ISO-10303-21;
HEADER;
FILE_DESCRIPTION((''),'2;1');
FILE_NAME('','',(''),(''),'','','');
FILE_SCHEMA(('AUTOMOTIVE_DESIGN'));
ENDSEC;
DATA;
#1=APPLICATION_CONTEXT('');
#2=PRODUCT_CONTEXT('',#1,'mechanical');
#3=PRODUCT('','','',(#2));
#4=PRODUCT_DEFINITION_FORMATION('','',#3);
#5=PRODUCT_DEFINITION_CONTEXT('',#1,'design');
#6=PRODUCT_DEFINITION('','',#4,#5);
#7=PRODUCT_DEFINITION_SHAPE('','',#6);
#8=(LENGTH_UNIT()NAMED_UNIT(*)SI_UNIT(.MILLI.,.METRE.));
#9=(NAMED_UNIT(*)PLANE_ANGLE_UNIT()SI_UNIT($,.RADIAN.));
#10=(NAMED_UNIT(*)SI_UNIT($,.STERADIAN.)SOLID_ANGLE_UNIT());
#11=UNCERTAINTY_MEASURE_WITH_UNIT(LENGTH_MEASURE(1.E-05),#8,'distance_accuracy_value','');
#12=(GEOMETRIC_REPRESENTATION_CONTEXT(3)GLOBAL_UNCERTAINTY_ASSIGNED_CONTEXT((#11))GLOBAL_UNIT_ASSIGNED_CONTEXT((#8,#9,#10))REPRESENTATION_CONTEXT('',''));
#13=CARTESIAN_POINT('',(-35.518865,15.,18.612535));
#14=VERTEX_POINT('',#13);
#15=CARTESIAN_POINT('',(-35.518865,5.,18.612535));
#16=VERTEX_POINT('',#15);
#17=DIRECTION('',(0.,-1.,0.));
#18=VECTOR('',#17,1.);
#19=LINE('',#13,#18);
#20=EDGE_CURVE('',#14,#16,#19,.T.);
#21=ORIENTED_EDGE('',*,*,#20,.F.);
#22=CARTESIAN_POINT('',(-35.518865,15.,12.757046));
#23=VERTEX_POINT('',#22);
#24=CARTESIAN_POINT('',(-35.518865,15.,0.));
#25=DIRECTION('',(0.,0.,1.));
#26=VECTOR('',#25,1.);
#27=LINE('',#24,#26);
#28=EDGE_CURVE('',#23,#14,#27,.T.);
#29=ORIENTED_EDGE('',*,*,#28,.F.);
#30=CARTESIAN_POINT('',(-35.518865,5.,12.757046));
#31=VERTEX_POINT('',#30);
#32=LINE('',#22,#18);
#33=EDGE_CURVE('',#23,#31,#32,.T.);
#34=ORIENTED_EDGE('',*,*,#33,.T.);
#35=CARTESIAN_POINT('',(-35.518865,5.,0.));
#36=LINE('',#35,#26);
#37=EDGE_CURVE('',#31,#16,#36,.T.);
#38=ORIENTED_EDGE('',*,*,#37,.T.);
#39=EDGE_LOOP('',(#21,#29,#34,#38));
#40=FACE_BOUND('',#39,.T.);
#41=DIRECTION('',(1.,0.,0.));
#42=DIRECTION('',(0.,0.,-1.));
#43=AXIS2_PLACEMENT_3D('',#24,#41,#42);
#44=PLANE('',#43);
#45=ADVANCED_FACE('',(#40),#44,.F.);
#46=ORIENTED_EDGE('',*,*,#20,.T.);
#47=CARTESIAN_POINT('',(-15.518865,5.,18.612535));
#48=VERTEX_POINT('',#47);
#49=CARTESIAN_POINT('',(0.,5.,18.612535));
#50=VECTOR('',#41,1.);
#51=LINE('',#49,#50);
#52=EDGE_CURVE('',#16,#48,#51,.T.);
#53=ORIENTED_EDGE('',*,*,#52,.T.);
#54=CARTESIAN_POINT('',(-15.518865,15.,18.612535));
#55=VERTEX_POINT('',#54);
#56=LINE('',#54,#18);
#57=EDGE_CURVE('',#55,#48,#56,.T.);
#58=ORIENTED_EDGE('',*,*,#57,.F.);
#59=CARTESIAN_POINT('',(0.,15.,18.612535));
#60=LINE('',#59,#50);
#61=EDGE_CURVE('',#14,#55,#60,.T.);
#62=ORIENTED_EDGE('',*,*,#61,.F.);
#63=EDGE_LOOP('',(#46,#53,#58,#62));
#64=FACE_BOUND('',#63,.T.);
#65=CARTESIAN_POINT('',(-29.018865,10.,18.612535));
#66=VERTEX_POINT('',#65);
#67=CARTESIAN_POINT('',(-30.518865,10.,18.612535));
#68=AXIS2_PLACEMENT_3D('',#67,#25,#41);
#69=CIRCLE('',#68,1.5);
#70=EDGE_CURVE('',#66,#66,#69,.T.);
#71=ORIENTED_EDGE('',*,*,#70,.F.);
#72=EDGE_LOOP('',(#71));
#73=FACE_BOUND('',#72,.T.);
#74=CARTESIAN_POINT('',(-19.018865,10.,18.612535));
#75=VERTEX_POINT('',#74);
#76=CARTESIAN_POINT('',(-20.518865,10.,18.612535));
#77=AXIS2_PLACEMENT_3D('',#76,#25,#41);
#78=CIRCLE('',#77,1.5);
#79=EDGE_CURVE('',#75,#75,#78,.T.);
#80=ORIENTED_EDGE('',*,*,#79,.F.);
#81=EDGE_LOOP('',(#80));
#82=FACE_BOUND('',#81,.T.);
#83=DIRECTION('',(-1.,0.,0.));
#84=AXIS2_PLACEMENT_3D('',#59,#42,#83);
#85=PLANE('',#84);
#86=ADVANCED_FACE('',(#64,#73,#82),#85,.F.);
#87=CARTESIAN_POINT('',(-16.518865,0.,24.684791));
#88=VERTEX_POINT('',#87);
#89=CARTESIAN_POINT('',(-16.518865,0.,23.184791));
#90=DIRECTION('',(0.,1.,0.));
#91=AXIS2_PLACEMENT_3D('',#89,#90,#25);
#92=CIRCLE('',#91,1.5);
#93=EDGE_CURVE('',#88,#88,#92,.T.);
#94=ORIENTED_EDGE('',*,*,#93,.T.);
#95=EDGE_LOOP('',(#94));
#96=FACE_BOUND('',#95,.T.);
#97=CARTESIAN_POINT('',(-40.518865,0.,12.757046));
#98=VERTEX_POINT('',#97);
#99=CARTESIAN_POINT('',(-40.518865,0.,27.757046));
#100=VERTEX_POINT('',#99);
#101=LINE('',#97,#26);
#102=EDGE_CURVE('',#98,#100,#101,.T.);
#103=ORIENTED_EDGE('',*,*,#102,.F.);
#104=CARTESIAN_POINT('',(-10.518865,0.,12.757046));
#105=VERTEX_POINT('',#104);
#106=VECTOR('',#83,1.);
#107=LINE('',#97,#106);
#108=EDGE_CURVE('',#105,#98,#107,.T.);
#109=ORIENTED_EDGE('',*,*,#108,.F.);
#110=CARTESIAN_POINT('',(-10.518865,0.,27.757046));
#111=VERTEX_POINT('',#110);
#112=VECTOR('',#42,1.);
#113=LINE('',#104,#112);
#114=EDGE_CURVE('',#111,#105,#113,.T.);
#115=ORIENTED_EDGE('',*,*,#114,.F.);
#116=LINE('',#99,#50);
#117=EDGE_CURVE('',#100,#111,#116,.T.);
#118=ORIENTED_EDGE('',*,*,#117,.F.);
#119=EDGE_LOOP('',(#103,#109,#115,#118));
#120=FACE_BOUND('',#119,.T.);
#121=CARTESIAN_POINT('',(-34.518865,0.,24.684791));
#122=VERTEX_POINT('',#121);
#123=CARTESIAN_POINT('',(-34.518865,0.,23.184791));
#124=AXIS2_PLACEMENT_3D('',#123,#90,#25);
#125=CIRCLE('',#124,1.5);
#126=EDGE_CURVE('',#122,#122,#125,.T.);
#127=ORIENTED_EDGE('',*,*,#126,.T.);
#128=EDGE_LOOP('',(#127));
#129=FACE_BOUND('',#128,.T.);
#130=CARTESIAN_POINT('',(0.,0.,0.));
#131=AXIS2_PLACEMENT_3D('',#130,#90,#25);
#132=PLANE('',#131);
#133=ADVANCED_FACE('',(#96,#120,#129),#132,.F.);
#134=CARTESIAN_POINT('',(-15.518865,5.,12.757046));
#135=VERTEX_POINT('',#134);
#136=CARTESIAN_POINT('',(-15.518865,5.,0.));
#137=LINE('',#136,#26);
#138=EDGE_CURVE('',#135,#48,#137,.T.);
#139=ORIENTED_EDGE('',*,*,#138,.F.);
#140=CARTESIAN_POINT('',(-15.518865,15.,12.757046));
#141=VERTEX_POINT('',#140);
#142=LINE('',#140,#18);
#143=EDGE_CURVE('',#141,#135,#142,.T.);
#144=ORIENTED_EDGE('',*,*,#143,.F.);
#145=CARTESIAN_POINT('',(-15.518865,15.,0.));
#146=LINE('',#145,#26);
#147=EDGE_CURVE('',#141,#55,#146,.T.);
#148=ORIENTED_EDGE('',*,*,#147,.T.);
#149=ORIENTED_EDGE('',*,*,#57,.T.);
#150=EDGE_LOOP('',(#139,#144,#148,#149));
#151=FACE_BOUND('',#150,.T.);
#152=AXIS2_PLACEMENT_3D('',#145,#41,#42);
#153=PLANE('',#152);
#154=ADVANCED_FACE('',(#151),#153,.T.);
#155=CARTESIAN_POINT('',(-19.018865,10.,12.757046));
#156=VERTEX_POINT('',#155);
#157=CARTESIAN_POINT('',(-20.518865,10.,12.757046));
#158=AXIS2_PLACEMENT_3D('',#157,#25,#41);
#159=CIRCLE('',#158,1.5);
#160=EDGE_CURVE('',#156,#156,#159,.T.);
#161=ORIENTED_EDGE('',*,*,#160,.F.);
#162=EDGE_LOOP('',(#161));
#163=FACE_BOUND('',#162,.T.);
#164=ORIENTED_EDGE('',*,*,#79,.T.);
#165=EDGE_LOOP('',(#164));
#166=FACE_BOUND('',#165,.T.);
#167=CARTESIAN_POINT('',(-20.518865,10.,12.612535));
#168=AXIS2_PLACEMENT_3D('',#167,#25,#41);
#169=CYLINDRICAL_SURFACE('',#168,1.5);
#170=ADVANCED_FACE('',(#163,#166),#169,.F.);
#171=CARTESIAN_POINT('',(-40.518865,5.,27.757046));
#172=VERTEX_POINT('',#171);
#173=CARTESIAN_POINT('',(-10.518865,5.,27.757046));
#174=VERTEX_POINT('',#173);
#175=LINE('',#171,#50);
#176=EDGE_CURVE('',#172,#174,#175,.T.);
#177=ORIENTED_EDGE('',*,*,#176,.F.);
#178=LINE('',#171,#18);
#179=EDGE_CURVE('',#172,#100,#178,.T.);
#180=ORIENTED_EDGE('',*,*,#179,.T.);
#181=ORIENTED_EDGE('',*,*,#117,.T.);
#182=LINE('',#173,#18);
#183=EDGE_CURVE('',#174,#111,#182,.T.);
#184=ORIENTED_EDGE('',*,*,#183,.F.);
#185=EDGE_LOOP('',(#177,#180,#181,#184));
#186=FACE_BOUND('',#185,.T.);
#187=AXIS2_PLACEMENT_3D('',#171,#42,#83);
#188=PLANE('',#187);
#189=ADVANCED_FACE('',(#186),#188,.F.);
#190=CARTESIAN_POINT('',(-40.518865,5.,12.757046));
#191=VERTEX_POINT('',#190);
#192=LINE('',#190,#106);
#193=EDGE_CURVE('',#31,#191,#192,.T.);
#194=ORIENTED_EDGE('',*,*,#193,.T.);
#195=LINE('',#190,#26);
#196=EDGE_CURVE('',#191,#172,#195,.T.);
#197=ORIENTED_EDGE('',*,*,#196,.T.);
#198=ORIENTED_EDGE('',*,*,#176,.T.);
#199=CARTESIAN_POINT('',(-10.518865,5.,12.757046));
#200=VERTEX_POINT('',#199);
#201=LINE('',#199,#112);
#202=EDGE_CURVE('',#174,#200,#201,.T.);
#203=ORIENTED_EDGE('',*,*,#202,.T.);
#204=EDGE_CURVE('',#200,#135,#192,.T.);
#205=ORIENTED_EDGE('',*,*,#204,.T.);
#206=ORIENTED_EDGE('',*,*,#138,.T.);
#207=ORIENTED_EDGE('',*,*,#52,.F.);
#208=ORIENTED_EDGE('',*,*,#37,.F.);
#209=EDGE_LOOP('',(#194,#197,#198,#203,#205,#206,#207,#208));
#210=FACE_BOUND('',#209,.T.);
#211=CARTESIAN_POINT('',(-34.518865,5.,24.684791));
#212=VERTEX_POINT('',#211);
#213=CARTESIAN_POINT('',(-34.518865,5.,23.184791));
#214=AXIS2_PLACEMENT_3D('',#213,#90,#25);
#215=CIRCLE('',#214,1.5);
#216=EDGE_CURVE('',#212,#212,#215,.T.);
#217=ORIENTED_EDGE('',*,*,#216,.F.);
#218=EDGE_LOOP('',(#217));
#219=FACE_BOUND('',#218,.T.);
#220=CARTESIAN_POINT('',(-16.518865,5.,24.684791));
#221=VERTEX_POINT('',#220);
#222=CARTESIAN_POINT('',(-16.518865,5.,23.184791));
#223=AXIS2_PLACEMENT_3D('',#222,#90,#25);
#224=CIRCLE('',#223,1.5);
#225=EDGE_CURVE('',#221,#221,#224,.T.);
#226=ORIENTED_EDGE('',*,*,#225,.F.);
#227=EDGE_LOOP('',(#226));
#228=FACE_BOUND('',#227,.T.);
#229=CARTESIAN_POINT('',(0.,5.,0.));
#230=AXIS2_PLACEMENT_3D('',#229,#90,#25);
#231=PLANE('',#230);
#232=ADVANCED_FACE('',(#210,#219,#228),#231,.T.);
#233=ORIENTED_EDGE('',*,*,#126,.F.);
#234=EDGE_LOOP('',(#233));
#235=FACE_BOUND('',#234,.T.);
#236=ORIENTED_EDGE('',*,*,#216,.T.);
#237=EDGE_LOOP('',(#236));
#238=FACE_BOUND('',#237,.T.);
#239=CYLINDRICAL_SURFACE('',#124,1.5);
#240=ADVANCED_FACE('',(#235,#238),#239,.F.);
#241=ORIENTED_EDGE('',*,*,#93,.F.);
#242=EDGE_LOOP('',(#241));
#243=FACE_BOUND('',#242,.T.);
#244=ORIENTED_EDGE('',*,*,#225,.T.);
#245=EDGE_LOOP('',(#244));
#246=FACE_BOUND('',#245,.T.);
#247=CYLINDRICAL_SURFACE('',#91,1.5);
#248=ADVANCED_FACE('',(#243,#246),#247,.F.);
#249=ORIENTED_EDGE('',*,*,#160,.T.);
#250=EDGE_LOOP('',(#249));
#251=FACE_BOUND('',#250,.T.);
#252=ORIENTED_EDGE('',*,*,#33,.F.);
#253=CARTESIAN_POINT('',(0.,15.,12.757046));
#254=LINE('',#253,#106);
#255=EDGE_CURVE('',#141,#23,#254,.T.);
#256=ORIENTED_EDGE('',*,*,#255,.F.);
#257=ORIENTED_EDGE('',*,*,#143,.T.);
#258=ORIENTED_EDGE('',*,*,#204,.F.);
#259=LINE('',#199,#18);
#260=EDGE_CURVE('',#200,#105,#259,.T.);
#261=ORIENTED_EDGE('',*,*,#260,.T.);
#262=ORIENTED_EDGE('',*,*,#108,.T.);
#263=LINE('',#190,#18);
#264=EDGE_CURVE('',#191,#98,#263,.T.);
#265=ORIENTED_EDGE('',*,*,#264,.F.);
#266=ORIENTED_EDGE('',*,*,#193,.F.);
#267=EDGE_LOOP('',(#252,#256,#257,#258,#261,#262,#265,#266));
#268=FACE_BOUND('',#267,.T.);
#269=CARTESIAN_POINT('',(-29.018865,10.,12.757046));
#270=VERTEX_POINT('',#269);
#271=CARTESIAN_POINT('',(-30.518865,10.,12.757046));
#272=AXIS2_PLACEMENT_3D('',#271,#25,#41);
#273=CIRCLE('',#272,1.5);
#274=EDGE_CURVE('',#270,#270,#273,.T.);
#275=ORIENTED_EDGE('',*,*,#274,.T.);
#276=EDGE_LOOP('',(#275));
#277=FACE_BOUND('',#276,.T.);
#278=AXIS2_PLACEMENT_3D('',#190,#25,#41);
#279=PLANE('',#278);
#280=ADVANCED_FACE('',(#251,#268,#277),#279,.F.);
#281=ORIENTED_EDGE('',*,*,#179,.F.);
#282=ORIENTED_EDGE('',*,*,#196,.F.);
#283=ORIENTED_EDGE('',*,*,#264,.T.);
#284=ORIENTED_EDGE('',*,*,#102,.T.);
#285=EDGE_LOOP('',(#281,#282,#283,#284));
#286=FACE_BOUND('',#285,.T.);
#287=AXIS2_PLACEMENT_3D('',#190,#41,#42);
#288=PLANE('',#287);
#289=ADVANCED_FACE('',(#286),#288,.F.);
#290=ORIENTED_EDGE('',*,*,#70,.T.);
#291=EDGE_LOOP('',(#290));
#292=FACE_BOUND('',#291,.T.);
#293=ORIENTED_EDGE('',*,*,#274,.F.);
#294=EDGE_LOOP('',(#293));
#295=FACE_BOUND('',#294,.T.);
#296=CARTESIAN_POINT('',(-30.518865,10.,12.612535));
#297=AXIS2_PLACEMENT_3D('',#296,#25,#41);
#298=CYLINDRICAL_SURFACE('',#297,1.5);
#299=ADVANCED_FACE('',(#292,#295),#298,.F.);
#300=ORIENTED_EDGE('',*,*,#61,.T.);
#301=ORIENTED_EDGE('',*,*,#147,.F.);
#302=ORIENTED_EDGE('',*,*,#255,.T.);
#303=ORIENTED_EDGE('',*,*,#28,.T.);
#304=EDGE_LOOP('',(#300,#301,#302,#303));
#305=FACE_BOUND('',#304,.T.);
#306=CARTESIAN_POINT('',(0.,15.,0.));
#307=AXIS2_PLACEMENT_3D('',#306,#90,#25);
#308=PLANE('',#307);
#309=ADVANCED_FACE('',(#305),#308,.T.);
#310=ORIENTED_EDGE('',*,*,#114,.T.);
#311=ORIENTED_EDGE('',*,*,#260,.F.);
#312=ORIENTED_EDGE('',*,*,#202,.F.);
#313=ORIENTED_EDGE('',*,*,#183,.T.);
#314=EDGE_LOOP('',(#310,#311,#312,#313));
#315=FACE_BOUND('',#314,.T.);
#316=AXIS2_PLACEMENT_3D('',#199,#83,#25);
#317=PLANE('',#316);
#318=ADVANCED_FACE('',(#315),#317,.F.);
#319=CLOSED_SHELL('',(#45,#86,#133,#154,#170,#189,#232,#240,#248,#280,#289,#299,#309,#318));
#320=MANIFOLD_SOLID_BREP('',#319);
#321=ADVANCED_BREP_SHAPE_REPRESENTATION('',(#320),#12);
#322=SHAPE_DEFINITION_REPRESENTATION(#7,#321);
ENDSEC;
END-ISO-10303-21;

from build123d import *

# Parameters (mm, degrees)
SKETCH_1_W          = 30
SKETCH_1_H          = 15
EXTRUDE_1_DEPTH     = 5
SKETCH_2_W          = 10
SKETCH_2_H          = 5.85548899
EXTRUDE_3_DEPTH     = 10
SKETCH_4_R          = 1.5
CUT_EXTRUDE_1_DEPTH = 6
SKETCH_5_R          = 1.5
CUT_EXTRUDE_2_DEPTH = 5


with BuildPart() as part:
    # Эскиз1 → Бобышка-Вытянуть1 (new body)
    with BuildSketch(Plane(origin=(0, 0, 0), x_dir=(1, 0, 0), z_dir=(0, 1, 0))):
        with Locations((-25.518864851, -20.257046334)):
            Rectangle(SKETCH_1_W, SKETCH_1_H)
    extrude(amount=EXTRUDE_1_DEPTH)

    # Эскиз2 → Бобышка-Вытянуть3 (add)
    with BuildSketch(Plane(origin=(0, 5, 0), x_dir=(1, 0, 0), z_dir=(0, 1, 0))):
        with Locations((-20.518864851, -15.684790829)):
            Rectangle(SKETCH_2_W, SKETCH_2_H)
        with Locations((-30.518864851, -15.684790829)):
            Rectangle(SKETCH_2_W, SKETCH_2_H)
    extrude(amount=EXTRUDE_3_DEPTH)

    # Эскиз4 → Вырез-Вытянуть1 (cut)
    with BuildSketch(Plane.XY.offset(18.612535324)):
        with Locations((-20.518864851, 10)):
            Circle(SKETCH_4_R)
        with Locations((-30.518864851, 10)):
            Circle(SKETCH_4_R)
    extrude(amount=-CUT_EXTRUDE_1_DEPTH, mode=Mode.SUBTRACT)

    # Эскиз5 → Вырез-Вытянуть2 (cut)
    with BuildSketch(Plane(origin=(0, 5, 0), x_dir=(1, 0, 0), z_dir=(0, 1, 0))):
        with Locations(Location((-34.518864851, -23.184790829, 0), (0, 0, 270))):
            Circle(SKETCH_5_R)
        with Locations(Location((-16.518864851, -23.184790829, 0), (0, 0, 270))):
            Circle(SKETCH_5_R)
    extrude(amount=-CUT_EXTRUDE_2_DEPTH, mode=Mode.SUBTRACT)


solid = part.part
